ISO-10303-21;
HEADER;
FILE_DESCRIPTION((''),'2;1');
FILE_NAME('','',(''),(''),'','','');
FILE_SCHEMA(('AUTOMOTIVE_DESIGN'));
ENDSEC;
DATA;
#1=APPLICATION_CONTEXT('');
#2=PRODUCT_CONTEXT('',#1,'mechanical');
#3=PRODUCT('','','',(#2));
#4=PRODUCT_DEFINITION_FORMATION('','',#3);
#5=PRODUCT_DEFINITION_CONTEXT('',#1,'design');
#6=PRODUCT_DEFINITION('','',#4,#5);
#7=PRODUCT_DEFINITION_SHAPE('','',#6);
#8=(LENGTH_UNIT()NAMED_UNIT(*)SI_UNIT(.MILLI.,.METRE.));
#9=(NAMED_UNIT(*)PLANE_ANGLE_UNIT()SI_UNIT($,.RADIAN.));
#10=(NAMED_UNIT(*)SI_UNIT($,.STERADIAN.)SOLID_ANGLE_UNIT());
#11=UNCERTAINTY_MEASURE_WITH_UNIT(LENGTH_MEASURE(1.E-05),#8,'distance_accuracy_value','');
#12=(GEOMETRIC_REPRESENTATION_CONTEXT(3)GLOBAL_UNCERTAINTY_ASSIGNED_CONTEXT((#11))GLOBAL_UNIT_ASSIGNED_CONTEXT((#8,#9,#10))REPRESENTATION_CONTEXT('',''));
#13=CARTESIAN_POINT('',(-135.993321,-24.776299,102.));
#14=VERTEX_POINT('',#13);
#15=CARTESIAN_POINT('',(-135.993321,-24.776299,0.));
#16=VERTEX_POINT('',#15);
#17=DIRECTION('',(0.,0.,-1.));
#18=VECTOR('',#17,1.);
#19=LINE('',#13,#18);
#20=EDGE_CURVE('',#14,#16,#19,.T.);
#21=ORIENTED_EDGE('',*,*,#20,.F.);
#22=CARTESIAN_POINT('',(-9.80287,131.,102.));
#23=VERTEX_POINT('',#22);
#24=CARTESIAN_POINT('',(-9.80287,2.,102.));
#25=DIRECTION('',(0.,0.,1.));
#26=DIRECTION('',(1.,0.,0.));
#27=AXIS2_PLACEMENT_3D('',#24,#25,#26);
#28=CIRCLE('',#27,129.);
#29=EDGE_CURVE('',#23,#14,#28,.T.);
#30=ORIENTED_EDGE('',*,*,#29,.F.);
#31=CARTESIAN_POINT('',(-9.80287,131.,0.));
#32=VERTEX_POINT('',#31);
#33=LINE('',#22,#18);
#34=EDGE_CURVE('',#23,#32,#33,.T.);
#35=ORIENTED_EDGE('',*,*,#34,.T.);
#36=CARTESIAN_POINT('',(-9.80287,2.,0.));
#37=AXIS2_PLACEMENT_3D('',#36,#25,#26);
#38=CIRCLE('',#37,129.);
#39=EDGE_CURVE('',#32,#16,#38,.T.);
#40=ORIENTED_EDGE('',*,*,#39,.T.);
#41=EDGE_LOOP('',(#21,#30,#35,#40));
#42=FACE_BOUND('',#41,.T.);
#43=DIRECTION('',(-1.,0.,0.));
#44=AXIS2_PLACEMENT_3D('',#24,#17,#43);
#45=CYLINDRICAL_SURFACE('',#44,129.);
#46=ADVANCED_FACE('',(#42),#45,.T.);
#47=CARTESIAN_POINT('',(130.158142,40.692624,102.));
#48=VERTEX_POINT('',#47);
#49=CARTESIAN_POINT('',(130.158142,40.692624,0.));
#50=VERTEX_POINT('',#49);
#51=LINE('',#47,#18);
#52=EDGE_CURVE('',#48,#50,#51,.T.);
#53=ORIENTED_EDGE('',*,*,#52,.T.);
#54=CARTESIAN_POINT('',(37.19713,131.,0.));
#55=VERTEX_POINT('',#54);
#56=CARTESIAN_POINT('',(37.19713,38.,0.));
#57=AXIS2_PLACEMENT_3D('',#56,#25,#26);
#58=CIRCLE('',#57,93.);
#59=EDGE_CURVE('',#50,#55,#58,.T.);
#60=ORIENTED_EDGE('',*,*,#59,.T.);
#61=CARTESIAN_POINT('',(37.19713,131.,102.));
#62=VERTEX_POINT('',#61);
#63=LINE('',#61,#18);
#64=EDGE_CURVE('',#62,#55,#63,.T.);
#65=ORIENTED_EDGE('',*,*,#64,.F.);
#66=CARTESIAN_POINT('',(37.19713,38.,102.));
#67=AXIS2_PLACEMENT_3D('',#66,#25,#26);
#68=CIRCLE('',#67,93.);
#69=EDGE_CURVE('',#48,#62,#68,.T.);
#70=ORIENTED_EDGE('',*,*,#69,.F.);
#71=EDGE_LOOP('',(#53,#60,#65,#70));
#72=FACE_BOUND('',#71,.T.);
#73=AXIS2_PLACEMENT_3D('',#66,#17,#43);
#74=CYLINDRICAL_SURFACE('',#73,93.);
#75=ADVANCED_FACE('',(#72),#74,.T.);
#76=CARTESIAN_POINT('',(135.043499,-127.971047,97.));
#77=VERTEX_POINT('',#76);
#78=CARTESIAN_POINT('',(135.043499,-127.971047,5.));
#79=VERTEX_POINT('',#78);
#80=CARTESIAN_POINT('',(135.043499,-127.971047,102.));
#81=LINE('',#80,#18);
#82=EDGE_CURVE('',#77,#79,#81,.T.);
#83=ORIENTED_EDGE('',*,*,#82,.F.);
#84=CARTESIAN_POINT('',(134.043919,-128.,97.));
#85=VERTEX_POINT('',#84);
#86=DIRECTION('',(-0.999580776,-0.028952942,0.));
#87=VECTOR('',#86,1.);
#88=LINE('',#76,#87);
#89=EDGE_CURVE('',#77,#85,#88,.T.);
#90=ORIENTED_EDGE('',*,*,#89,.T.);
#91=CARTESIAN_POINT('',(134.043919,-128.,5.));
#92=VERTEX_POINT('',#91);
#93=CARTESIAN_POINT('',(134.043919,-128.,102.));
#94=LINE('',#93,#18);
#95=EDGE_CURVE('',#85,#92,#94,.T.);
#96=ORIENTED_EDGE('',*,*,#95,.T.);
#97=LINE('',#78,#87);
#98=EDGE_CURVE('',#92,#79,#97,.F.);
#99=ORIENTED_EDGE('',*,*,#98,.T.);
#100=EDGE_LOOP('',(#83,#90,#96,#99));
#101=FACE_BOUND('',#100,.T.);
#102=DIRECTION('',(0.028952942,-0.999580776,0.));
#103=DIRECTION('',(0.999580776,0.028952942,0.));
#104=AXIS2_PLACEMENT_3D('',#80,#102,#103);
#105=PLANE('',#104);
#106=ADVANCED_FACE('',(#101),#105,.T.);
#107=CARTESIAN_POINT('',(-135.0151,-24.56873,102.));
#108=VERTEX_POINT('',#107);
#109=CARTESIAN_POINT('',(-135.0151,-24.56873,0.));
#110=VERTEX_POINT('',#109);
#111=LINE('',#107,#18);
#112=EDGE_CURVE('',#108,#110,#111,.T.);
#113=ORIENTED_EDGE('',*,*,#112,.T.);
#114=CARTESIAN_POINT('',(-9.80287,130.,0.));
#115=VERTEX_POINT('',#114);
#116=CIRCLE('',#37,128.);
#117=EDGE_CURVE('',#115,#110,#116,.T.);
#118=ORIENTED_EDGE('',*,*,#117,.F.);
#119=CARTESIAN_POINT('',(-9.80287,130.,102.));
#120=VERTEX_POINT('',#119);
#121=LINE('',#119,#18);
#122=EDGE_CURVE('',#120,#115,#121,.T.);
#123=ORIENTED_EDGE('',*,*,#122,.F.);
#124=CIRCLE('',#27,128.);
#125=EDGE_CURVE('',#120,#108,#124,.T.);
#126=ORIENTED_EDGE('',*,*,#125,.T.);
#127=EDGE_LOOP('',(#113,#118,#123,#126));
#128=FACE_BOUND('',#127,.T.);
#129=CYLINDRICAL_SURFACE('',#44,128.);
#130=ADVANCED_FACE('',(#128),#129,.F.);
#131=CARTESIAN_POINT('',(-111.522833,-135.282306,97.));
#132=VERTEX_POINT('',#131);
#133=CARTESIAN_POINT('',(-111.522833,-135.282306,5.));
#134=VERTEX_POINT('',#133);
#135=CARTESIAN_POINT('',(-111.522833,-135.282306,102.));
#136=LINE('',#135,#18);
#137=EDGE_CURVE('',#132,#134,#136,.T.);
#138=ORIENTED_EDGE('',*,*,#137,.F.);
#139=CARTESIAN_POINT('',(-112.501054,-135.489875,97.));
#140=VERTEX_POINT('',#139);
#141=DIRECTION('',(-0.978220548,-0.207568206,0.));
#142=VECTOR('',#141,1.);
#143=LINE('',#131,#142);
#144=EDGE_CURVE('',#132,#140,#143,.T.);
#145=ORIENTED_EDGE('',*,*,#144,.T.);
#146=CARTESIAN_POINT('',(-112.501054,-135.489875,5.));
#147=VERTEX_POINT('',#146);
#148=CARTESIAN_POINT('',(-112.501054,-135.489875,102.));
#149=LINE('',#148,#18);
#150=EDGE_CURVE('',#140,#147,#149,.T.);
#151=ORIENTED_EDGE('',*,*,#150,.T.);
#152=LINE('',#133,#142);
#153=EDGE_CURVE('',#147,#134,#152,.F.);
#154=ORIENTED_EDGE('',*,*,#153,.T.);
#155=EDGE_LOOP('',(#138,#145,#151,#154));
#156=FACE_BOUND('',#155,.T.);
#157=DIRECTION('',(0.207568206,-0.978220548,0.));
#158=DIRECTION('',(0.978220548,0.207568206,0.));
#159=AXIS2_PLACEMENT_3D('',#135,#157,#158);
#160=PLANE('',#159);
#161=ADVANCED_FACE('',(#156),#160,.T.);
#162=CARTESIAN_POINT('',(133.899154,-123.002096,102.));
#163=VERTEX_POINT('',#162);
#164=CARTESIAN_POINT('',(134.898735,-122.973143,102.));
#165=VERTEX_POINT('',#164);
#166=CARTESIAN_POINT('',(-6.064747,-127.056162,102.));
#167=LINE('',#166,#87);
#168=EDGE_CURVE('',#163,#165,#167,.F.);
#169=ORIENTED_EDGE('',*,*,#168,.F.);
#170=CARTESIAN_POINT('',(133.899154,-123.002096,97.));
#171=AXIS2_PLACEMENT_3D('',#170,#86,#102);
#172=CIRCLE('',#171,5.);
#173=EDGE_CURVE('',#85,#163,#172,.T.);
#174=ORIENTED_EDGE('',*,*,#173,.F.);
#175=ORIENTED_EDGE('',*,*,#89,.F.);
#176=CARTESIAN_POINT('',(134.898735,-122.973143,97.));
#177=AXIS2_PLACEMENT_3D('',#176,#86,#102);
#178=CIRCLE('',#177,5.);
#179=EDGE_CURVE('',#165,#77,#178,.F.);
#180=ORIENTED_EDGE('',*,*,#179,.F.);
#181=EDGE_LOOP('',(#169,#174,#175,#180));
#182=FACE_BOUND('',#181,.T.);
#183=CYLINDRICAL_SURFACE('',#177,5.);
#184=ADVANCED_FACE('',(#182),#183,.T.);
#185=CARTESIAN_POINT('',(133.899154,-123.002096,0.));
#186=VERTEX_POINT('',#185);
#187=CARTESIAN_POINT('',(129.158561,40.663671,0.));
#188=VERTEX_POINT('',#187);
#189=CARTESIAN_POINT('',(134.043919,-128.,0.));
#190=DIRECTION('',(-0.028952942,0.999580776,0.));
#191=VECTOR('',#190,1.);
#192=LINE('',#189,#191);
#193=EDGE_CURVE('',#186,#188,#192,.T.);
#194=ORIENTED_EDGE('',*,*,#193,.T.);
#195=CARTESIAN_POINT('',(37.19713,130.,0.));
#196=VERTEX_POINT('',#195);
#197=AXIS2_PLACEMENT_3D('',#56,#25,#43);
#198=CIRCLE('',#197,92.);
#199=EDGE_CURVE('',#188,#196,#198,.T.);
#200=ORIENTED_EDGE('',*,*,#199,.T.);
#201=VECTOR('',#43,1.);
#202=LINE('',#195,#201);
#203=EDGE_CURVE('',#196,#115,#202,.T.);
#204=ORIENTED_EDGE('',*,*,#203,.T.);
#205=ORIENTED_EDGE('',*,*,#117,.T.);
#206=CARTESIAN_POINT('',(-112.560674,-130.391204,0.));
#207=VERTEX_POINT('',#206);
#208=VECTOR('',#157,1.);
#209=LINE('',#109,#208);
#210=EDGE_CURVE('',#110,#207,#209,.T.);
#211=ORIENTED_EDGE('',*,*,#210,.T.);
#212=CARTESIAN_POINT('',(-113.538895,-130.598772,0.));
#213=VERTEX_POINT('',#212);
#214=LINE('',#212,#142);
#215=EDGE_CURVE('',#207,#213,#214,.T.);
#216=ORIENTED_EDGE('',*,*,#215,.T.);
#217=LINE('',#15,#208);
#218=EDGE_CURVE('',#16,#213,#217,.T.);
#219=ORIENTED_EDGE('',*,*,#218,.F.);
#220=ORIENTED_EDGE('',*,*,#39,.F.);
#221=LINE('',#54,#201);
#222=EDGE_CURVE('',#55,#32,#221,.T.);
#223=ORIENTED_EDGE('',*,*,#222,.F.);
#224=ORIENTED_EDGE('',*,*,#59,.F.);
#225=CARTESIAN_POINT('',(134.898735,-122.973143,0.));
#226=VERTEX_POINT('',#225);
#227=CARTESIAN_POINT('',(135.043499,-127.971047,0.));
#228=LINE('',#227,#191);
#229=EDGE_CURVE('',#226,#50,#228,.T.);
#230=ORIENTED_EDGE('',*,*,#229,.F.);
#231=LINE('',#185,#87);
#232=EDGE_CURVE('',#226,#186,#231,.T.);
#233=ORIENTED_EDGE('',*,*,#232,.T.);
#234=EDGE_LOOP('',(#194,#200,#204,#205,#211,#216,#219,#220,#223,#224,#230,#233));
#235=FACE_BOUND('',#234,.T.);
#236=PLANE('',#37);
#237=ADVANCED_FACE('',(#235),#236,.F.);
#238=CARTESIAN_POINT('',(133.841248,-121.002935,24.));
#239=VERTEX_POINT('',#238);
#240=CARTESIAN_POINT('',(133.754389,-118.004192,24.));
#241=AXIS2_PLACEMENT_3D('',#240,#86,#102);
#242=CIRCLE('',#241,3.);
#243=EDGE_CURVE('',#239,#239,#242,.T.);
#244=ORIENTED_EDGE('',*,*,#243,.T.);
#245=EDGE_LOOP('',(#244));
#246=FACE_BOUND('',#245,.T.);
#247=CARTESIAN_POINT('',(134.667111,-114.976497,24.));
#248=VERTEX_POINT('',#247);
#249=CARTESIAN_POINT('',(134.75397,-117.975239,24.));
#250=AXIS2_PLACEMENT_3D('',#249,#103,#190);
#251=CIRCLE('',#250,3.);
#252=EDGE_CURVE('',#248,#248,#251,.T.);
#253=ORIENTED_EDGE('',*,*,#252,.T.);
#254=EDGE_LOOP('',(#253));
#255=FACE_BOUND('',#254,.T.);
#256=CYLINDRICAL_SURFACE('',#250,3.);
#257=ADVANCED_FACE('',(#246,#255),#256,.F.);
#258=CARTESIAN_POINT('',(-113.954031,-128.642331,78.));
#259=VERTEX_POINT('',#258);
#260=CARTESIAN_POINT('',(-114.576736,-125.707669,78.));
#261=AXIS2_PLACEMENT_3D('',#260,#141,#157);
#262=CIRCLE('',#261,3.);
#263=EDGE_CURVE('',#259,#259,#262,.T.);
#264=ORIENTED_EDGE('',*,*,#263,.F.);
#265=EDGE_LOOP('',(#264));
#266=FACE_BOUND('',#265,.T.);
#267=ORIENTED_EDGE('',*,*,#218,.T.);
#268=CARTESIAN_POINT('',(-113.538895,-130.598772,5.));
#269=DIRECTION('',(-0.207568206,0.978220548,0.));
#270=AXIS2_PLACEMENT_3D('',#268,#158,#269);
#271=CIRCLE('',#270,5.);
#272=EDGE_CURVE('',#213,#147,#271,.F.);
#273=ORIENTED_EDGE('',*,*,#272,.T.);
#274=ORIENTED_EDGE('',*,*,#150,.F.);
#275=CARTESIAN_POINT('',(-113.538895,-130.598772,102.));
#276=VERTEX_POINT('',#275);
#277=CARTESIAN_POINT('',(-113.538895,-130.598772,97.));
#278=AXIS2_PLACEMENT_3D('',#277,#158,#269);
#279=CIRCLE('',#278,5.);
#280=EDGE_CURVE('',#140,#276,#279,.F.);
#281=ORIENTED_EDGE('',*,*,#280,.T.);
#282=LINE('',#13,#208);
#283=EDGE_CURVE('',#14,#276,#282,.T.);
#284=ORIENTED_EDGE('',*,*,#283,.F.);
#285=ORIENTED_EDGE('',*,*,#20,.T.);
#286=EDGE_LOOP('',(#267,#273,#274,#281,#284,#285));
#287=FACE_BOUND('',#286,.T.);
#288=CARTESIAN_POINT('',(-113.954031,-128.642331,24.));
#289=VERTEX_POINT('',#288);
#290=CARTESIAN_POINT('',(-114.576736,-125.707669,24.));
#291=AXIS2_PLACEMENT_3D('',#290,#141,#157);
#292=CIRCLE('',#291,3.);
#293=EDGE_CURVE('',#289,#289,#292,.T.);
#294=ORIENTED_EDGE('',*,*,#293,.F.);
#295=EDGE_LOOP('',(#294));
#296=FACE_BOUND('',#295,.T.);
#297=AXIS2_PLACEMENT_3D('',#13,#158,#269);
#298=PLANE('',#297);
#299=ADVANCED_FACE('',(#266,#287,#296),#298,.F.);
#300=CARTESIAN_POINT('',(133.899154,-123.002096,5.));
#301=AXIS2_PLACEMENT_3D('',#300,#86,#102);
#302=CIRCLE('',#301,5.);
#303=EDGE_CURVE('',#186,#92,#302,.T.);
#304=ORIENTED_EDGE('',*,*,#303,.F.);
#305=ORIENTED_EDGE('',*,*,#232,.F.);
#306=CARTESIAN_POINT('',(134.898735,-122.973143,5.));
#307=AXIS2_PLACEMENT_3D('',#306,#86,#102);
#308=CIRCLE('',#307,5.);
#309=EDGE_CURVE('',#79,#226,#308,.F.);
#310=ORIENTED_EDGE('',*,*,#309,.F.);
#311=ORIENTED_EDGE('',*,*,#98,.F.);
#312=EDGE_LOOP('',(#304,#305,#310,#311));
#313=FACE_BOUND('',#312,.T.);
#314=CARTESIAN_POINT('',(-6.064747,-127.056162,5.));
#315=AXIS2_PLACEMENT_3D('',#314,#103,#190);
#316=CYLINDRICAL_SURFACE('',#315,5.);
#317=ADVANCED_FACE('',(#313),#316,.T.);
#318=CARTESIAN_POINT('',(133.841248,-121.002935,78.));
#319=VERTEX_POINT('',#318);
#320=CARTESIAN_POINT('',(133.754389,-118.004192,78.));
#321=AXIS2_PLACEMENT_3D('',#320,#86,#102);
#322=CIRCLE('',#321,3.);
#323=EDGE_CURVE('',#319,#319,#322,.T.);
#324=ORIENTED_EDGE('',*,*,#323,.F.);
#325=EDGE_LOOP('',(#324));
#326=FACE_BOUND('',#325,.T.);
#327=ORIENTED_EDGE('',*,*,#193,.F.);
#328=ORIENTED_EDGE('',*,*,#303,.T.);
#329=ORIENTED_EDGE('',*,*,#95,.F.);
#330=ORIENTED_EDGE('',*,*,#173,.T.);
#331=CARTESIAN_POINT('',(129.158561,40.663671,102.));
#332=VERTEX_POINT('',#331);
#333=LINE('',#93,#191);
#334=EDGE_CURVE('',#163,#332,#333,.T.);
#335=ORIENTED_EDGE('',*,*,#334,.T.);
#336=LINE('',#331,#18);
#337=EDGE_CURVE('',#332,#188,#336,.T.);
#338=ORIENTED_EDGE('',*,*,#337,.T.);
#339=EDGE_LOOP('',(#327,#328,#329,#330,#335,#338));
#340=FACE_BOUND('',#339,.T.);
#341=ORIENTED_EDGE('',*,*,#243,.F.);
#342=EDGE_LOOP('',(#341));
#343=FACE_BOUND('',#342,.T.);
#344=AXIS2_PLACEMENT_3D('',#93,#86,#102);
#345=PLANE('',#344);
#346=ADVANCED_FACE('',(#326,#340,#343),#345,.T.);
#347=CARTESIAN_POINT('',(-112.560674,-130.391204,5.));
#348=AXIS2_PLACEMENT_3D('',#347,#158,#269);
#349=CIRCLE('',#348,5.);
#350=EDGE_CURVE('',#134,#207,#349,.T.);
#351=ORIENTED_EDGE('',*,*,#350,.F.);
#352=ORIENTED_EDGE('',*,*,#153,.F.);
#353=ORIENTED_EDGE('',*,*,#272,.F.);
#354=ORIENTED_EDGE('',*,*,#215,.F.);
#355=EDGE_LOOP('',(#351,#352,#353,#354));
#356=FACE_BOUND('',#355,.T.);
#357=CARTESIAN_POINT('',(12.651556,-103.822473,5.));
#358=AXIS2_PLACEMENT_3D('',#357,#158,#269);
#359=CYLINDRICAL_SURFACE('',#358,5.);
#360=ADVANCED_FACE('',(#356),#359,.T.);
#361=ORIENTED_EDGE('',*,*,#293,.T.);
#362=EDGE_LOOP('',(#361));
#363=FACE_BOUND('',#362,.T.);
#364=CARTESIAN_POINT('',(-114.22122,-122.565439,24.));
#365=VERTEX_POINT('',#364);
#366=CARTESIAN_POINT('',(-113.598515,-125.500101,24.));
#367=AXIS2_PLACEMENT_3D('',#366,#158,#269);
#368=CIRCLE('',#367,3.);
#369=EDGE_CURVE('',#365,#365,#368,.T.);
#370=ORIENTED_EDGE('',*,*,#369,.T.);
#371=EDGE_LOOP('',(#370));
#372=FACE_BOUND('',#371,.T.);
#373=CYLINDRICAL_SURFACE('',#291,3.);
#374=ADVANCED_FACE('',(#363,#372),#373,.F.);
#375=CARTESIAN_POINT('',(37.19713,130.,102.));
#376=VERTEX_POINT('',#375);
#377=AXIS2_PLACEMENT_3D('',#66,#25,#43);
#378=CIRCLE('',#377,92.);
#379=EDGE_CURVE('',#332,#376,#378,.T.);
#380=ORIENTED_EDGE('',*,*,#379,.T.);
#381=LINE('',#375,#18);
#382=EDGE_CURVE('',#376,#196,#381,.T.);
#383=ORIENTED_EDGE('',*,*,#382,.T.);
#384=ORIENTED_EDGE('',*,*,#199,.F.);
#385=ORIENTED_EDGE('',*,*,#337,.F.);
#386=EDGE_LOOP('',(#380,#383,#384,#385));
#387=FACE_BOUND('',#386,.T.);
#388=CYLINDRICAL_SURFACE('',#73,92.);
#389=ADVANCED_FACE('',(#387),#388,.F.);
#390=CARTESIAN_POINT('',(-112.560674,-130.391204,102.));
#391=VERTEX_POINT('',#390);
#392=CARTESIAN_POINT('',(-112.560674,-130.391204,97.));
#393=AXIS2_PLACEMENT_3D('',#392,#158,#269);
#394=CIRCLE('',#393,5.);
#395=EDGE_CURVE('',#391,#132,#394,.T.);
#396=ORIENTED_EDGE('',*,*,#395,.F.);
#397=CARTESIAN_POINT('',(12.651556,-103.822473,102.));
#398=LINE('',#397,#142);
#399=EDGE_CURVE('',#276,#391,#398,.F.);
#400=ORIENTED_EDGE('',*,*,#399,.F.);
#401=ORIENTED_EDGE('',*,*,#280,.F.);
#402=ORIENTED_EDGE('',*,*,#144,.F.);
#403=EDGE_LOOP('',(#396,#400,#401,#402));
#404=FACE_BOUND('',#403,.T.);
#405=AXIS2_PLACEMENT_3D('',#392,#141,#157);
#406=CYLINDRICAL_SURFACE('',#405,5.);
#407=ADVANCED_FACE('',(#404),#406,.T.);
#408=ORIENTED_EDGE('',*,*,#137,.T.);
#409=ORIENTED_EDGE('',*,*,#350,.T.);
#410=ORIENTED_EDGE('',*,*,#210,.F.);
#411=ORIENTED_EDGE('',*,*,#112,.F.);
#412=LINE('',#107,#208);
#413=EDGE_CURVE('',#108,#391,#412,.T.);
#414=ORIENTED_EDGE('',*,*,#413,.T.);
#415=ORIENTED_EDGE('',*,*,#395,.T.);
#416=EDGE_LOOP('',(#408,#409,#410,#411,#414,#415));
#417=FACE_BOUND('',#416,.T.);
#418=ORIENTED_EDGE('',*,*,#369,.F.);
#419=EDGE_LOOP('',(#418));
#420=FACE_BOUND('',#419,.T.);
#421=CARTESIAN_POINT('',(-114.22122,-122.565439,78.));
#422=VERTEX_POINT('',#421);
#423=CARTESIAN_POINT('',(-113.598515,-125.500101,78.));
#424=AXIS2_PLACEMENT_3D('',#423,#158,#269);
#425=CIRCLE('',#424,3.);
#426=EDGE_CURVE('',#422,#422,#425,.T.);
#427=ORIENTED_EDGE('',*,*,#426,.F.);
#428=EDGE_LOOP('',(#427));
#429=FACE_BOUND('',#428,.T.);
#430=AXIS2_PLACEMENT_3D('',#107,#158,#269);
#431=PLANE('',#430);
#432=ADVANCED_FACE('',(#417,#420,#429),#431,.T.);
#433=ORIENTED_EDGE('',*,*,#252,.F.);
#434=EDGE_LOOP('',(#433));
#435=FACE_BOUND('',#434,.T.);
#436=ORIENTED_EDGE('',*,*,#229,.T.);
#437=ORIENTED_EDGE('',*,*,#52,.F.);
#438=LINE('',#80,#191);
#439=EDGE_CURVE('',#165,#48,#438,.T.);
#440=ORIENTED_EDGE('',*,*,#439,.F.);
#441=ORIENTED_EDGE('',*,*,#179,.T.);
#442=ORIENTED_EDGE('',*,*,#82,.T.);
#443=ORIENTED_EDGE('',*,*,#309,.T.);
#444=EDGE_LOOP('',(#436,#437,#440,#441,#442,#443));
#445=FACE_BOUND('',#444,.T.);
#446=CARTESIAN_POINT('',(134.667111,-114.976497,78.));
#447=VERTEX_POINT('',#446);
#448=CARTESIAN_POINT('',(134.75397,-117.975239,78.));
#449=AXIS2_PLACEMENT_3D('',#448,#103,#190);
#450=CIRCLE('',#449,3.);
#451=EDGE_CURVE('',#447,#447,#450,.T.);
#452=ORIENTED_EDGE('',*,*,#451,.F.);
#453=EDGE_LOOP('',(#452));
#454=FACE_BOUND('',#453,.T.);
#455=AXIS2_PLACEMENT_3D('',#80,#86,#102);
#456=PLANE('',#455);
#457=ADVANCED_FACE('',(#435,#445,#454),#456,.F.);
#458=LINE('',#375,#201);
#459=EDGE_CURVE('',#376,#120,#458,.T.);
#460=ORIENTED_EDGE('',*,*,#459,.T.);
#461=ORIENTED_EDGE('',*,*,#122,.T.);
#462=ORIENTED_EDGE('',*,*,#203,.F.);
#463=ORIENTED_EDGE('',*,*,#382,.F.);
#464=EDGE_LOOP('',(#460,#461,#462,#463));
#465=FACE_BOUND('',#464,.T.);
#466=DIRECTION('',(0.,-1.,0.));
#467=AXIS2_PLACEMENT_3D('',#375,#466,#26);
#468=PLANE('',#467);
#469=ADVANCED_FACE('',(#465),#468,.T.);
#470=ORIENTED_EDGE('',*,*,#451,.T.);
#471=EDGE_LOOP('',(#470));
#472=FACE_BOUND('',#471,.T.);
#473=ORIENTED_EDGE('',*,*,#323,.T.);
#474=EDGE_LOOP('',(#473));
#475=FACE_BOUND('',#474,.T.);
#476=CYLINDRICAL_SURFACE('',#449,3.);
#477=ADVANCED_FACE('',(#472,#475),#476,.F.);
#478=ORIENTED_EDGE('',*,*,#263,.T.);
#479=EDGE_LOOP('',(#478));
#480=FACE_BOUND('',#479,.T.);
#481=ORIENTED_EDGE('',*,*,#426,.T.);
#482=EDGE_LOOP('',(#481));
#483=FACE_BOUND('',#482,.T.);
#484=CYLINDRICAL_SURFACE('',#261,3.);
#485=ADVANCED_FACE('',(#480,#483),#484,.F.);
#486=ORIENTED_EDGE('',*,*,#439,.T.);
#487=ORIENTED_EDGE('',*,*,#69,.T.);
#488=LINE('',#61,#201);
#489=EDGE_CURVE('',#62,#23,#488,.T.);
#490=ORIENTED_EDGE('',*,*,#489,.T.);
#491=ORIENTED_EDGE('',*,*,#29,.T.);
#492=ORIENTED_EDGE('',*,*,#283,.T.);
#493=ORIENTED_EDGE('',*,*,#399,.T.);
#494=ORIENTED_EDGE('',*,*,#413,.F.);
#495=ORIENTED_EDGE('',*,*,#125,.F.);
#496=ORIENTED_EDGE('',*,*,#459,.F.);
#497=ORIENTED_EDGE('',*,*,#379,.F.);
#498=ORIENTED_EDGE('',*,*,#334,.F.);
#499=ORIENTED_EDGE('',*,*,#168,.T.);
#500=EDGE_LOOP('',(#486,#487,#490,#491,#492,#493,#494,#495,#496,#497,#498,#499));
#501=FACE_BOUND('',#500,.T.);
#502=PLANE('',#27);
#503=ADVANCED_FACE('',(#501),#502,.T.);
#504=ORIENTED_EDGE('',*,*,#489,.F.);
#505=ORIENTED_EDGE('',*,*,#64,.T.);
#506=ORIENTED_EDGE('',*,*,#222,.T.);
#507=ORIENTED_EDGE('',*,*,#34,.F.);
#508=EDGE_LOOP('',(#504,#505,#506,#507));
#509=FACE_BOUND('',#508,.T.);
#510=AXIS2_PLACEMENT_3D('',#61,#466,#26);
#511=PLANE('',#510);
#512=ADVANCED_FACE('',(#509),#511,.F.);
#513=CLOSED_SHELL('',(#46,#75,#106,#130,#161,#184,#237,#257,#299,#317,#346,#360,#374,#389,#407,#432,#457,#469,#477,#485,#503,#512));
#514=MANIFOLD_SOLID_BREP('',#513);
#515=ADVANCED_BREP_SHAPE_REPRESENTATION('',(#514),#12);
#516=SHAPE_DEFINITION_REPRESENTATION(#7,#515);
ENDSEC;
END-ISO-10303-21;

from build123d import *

# Parameters (mm, degrees)
WYCI_GNI_CIE_CIENKA_CIANKA1_DEPTH = 102
OTW_R1_D                          = 6
OTW_R1_DEPTH                      = 1
OTW_R2_D                          = 6
OTW_R2_DEPTH                      = 1
ZAOKR_GLENIE1_R                   = 5
OTW_R3_D                          = 6
OTW_R3_DEPTH                      = 1
OTW_R4_D                          = 6
OTW_R4_DEPTH                      = 1


with BuildPart() as part:
    # Szkic1 → Wyciągnięcie-cienka ścianka1 (new body)
    with BuildSketch(Plane.XY):
        with BuildLine():
            Line((134.043918698, -128), (129.158561205, 40.663670642))
            ThreePointArc((129.158561205, 40.663670642), (101.302286813, 103.988853979), (37.19712984, 130))
            Line((37.19712984, 130), (-9.80287016, 130))
            ThreePointArc((-9.80287016, 130), (-109.26340878, 82.570473856), (-135.015100263, -24.568730353))
            Line((-135.015100263, -24.568730353), (-111.522833189, -135.282306482))
            Line((-111.522833189, -135.282306482), (-112.501053736, -135.489874688))
            Line((-112.501053736, -135.489874688), (-135.993320811, -24.776298559))
            ThreePointArc((-135.993320811, -24.776298559), (-110.040444238, 83.199930683), (-9.80287016, 131))
            Line((-9.80287016, 131), (37.19712984, 131))
            ThreePointArc((37.19712984, 131), (101.999081998, 104.706124131), (130.158141981, 40.692623583))
            Line((130.158141981, 40.692623583), (135.043499474, -127.971047058))
            Line((135.043499474, -127.971047058), (134.043918698, -128))
        make_face()
    extrude(amount=WYCI_GNI_CIE_CIENKA_CIANKA1_DEPTH)

    # Otwór1
    with Locations(Plane(origin=(131.226711189, 3.800992794, 0), x_dir=(0, 0, -1), z_dir=(0.999580776, 0.028952942, 0))):
        with Locations((-78, -121.827305061)):
            Hole(OTW_R1_D / 2, depth=OTW_R1_DEPTH)

    # Otwór2
    with Locations(Plane(origin=(131.226711189, 3.800992794, 0), x_dir=(0, 0, -1), z_dir=(0.999580776, 0.028952942, 0))):
        with Locations((-24, -121.827305061)):
            Hole(OTW_R2_D / 2, depth=OTW_R2_DEPTH)

    # Zaokrąglenie1
    zaokr_glenie1_edges = [part.edges().sort_by_distance(p)[0] for p in [
        (134.543709086, -127.985523529, 0),
        (-112.011943462, -135.386090585, 0),
        (134.543709086, -127.985523529, 102),
        (-112.011943462, -135.386090585, 102),
    ]]
    fillet(zaokr_glenie1_edges, radius=ZAOKR_GLENIE1_R)

    # Otwór3
    with Locations(Plane(origin=(-135.164873494, -28.680577561, 0), x_dir=(0, 0, 1), z_dir=(-0.978220548, -0.207568206, 0))):
        with Locations((24, -99.187337539)):
            Hole(OTW_R3_D / 2, depth=OTW_R3_DEPTH)

    # Otwór4
    with Locations(Plane(origin=(-135.164873494, -28.680577561, 0), x_dir=(0, 0, 1), z_dir=(-0.978220548, -0.207568206, 0))):
        with Locations((78, -99.187337539)):
            Hole(OTW_R4_D / 2, depth=OTW_R4_DEPTH)


solid = part.part
